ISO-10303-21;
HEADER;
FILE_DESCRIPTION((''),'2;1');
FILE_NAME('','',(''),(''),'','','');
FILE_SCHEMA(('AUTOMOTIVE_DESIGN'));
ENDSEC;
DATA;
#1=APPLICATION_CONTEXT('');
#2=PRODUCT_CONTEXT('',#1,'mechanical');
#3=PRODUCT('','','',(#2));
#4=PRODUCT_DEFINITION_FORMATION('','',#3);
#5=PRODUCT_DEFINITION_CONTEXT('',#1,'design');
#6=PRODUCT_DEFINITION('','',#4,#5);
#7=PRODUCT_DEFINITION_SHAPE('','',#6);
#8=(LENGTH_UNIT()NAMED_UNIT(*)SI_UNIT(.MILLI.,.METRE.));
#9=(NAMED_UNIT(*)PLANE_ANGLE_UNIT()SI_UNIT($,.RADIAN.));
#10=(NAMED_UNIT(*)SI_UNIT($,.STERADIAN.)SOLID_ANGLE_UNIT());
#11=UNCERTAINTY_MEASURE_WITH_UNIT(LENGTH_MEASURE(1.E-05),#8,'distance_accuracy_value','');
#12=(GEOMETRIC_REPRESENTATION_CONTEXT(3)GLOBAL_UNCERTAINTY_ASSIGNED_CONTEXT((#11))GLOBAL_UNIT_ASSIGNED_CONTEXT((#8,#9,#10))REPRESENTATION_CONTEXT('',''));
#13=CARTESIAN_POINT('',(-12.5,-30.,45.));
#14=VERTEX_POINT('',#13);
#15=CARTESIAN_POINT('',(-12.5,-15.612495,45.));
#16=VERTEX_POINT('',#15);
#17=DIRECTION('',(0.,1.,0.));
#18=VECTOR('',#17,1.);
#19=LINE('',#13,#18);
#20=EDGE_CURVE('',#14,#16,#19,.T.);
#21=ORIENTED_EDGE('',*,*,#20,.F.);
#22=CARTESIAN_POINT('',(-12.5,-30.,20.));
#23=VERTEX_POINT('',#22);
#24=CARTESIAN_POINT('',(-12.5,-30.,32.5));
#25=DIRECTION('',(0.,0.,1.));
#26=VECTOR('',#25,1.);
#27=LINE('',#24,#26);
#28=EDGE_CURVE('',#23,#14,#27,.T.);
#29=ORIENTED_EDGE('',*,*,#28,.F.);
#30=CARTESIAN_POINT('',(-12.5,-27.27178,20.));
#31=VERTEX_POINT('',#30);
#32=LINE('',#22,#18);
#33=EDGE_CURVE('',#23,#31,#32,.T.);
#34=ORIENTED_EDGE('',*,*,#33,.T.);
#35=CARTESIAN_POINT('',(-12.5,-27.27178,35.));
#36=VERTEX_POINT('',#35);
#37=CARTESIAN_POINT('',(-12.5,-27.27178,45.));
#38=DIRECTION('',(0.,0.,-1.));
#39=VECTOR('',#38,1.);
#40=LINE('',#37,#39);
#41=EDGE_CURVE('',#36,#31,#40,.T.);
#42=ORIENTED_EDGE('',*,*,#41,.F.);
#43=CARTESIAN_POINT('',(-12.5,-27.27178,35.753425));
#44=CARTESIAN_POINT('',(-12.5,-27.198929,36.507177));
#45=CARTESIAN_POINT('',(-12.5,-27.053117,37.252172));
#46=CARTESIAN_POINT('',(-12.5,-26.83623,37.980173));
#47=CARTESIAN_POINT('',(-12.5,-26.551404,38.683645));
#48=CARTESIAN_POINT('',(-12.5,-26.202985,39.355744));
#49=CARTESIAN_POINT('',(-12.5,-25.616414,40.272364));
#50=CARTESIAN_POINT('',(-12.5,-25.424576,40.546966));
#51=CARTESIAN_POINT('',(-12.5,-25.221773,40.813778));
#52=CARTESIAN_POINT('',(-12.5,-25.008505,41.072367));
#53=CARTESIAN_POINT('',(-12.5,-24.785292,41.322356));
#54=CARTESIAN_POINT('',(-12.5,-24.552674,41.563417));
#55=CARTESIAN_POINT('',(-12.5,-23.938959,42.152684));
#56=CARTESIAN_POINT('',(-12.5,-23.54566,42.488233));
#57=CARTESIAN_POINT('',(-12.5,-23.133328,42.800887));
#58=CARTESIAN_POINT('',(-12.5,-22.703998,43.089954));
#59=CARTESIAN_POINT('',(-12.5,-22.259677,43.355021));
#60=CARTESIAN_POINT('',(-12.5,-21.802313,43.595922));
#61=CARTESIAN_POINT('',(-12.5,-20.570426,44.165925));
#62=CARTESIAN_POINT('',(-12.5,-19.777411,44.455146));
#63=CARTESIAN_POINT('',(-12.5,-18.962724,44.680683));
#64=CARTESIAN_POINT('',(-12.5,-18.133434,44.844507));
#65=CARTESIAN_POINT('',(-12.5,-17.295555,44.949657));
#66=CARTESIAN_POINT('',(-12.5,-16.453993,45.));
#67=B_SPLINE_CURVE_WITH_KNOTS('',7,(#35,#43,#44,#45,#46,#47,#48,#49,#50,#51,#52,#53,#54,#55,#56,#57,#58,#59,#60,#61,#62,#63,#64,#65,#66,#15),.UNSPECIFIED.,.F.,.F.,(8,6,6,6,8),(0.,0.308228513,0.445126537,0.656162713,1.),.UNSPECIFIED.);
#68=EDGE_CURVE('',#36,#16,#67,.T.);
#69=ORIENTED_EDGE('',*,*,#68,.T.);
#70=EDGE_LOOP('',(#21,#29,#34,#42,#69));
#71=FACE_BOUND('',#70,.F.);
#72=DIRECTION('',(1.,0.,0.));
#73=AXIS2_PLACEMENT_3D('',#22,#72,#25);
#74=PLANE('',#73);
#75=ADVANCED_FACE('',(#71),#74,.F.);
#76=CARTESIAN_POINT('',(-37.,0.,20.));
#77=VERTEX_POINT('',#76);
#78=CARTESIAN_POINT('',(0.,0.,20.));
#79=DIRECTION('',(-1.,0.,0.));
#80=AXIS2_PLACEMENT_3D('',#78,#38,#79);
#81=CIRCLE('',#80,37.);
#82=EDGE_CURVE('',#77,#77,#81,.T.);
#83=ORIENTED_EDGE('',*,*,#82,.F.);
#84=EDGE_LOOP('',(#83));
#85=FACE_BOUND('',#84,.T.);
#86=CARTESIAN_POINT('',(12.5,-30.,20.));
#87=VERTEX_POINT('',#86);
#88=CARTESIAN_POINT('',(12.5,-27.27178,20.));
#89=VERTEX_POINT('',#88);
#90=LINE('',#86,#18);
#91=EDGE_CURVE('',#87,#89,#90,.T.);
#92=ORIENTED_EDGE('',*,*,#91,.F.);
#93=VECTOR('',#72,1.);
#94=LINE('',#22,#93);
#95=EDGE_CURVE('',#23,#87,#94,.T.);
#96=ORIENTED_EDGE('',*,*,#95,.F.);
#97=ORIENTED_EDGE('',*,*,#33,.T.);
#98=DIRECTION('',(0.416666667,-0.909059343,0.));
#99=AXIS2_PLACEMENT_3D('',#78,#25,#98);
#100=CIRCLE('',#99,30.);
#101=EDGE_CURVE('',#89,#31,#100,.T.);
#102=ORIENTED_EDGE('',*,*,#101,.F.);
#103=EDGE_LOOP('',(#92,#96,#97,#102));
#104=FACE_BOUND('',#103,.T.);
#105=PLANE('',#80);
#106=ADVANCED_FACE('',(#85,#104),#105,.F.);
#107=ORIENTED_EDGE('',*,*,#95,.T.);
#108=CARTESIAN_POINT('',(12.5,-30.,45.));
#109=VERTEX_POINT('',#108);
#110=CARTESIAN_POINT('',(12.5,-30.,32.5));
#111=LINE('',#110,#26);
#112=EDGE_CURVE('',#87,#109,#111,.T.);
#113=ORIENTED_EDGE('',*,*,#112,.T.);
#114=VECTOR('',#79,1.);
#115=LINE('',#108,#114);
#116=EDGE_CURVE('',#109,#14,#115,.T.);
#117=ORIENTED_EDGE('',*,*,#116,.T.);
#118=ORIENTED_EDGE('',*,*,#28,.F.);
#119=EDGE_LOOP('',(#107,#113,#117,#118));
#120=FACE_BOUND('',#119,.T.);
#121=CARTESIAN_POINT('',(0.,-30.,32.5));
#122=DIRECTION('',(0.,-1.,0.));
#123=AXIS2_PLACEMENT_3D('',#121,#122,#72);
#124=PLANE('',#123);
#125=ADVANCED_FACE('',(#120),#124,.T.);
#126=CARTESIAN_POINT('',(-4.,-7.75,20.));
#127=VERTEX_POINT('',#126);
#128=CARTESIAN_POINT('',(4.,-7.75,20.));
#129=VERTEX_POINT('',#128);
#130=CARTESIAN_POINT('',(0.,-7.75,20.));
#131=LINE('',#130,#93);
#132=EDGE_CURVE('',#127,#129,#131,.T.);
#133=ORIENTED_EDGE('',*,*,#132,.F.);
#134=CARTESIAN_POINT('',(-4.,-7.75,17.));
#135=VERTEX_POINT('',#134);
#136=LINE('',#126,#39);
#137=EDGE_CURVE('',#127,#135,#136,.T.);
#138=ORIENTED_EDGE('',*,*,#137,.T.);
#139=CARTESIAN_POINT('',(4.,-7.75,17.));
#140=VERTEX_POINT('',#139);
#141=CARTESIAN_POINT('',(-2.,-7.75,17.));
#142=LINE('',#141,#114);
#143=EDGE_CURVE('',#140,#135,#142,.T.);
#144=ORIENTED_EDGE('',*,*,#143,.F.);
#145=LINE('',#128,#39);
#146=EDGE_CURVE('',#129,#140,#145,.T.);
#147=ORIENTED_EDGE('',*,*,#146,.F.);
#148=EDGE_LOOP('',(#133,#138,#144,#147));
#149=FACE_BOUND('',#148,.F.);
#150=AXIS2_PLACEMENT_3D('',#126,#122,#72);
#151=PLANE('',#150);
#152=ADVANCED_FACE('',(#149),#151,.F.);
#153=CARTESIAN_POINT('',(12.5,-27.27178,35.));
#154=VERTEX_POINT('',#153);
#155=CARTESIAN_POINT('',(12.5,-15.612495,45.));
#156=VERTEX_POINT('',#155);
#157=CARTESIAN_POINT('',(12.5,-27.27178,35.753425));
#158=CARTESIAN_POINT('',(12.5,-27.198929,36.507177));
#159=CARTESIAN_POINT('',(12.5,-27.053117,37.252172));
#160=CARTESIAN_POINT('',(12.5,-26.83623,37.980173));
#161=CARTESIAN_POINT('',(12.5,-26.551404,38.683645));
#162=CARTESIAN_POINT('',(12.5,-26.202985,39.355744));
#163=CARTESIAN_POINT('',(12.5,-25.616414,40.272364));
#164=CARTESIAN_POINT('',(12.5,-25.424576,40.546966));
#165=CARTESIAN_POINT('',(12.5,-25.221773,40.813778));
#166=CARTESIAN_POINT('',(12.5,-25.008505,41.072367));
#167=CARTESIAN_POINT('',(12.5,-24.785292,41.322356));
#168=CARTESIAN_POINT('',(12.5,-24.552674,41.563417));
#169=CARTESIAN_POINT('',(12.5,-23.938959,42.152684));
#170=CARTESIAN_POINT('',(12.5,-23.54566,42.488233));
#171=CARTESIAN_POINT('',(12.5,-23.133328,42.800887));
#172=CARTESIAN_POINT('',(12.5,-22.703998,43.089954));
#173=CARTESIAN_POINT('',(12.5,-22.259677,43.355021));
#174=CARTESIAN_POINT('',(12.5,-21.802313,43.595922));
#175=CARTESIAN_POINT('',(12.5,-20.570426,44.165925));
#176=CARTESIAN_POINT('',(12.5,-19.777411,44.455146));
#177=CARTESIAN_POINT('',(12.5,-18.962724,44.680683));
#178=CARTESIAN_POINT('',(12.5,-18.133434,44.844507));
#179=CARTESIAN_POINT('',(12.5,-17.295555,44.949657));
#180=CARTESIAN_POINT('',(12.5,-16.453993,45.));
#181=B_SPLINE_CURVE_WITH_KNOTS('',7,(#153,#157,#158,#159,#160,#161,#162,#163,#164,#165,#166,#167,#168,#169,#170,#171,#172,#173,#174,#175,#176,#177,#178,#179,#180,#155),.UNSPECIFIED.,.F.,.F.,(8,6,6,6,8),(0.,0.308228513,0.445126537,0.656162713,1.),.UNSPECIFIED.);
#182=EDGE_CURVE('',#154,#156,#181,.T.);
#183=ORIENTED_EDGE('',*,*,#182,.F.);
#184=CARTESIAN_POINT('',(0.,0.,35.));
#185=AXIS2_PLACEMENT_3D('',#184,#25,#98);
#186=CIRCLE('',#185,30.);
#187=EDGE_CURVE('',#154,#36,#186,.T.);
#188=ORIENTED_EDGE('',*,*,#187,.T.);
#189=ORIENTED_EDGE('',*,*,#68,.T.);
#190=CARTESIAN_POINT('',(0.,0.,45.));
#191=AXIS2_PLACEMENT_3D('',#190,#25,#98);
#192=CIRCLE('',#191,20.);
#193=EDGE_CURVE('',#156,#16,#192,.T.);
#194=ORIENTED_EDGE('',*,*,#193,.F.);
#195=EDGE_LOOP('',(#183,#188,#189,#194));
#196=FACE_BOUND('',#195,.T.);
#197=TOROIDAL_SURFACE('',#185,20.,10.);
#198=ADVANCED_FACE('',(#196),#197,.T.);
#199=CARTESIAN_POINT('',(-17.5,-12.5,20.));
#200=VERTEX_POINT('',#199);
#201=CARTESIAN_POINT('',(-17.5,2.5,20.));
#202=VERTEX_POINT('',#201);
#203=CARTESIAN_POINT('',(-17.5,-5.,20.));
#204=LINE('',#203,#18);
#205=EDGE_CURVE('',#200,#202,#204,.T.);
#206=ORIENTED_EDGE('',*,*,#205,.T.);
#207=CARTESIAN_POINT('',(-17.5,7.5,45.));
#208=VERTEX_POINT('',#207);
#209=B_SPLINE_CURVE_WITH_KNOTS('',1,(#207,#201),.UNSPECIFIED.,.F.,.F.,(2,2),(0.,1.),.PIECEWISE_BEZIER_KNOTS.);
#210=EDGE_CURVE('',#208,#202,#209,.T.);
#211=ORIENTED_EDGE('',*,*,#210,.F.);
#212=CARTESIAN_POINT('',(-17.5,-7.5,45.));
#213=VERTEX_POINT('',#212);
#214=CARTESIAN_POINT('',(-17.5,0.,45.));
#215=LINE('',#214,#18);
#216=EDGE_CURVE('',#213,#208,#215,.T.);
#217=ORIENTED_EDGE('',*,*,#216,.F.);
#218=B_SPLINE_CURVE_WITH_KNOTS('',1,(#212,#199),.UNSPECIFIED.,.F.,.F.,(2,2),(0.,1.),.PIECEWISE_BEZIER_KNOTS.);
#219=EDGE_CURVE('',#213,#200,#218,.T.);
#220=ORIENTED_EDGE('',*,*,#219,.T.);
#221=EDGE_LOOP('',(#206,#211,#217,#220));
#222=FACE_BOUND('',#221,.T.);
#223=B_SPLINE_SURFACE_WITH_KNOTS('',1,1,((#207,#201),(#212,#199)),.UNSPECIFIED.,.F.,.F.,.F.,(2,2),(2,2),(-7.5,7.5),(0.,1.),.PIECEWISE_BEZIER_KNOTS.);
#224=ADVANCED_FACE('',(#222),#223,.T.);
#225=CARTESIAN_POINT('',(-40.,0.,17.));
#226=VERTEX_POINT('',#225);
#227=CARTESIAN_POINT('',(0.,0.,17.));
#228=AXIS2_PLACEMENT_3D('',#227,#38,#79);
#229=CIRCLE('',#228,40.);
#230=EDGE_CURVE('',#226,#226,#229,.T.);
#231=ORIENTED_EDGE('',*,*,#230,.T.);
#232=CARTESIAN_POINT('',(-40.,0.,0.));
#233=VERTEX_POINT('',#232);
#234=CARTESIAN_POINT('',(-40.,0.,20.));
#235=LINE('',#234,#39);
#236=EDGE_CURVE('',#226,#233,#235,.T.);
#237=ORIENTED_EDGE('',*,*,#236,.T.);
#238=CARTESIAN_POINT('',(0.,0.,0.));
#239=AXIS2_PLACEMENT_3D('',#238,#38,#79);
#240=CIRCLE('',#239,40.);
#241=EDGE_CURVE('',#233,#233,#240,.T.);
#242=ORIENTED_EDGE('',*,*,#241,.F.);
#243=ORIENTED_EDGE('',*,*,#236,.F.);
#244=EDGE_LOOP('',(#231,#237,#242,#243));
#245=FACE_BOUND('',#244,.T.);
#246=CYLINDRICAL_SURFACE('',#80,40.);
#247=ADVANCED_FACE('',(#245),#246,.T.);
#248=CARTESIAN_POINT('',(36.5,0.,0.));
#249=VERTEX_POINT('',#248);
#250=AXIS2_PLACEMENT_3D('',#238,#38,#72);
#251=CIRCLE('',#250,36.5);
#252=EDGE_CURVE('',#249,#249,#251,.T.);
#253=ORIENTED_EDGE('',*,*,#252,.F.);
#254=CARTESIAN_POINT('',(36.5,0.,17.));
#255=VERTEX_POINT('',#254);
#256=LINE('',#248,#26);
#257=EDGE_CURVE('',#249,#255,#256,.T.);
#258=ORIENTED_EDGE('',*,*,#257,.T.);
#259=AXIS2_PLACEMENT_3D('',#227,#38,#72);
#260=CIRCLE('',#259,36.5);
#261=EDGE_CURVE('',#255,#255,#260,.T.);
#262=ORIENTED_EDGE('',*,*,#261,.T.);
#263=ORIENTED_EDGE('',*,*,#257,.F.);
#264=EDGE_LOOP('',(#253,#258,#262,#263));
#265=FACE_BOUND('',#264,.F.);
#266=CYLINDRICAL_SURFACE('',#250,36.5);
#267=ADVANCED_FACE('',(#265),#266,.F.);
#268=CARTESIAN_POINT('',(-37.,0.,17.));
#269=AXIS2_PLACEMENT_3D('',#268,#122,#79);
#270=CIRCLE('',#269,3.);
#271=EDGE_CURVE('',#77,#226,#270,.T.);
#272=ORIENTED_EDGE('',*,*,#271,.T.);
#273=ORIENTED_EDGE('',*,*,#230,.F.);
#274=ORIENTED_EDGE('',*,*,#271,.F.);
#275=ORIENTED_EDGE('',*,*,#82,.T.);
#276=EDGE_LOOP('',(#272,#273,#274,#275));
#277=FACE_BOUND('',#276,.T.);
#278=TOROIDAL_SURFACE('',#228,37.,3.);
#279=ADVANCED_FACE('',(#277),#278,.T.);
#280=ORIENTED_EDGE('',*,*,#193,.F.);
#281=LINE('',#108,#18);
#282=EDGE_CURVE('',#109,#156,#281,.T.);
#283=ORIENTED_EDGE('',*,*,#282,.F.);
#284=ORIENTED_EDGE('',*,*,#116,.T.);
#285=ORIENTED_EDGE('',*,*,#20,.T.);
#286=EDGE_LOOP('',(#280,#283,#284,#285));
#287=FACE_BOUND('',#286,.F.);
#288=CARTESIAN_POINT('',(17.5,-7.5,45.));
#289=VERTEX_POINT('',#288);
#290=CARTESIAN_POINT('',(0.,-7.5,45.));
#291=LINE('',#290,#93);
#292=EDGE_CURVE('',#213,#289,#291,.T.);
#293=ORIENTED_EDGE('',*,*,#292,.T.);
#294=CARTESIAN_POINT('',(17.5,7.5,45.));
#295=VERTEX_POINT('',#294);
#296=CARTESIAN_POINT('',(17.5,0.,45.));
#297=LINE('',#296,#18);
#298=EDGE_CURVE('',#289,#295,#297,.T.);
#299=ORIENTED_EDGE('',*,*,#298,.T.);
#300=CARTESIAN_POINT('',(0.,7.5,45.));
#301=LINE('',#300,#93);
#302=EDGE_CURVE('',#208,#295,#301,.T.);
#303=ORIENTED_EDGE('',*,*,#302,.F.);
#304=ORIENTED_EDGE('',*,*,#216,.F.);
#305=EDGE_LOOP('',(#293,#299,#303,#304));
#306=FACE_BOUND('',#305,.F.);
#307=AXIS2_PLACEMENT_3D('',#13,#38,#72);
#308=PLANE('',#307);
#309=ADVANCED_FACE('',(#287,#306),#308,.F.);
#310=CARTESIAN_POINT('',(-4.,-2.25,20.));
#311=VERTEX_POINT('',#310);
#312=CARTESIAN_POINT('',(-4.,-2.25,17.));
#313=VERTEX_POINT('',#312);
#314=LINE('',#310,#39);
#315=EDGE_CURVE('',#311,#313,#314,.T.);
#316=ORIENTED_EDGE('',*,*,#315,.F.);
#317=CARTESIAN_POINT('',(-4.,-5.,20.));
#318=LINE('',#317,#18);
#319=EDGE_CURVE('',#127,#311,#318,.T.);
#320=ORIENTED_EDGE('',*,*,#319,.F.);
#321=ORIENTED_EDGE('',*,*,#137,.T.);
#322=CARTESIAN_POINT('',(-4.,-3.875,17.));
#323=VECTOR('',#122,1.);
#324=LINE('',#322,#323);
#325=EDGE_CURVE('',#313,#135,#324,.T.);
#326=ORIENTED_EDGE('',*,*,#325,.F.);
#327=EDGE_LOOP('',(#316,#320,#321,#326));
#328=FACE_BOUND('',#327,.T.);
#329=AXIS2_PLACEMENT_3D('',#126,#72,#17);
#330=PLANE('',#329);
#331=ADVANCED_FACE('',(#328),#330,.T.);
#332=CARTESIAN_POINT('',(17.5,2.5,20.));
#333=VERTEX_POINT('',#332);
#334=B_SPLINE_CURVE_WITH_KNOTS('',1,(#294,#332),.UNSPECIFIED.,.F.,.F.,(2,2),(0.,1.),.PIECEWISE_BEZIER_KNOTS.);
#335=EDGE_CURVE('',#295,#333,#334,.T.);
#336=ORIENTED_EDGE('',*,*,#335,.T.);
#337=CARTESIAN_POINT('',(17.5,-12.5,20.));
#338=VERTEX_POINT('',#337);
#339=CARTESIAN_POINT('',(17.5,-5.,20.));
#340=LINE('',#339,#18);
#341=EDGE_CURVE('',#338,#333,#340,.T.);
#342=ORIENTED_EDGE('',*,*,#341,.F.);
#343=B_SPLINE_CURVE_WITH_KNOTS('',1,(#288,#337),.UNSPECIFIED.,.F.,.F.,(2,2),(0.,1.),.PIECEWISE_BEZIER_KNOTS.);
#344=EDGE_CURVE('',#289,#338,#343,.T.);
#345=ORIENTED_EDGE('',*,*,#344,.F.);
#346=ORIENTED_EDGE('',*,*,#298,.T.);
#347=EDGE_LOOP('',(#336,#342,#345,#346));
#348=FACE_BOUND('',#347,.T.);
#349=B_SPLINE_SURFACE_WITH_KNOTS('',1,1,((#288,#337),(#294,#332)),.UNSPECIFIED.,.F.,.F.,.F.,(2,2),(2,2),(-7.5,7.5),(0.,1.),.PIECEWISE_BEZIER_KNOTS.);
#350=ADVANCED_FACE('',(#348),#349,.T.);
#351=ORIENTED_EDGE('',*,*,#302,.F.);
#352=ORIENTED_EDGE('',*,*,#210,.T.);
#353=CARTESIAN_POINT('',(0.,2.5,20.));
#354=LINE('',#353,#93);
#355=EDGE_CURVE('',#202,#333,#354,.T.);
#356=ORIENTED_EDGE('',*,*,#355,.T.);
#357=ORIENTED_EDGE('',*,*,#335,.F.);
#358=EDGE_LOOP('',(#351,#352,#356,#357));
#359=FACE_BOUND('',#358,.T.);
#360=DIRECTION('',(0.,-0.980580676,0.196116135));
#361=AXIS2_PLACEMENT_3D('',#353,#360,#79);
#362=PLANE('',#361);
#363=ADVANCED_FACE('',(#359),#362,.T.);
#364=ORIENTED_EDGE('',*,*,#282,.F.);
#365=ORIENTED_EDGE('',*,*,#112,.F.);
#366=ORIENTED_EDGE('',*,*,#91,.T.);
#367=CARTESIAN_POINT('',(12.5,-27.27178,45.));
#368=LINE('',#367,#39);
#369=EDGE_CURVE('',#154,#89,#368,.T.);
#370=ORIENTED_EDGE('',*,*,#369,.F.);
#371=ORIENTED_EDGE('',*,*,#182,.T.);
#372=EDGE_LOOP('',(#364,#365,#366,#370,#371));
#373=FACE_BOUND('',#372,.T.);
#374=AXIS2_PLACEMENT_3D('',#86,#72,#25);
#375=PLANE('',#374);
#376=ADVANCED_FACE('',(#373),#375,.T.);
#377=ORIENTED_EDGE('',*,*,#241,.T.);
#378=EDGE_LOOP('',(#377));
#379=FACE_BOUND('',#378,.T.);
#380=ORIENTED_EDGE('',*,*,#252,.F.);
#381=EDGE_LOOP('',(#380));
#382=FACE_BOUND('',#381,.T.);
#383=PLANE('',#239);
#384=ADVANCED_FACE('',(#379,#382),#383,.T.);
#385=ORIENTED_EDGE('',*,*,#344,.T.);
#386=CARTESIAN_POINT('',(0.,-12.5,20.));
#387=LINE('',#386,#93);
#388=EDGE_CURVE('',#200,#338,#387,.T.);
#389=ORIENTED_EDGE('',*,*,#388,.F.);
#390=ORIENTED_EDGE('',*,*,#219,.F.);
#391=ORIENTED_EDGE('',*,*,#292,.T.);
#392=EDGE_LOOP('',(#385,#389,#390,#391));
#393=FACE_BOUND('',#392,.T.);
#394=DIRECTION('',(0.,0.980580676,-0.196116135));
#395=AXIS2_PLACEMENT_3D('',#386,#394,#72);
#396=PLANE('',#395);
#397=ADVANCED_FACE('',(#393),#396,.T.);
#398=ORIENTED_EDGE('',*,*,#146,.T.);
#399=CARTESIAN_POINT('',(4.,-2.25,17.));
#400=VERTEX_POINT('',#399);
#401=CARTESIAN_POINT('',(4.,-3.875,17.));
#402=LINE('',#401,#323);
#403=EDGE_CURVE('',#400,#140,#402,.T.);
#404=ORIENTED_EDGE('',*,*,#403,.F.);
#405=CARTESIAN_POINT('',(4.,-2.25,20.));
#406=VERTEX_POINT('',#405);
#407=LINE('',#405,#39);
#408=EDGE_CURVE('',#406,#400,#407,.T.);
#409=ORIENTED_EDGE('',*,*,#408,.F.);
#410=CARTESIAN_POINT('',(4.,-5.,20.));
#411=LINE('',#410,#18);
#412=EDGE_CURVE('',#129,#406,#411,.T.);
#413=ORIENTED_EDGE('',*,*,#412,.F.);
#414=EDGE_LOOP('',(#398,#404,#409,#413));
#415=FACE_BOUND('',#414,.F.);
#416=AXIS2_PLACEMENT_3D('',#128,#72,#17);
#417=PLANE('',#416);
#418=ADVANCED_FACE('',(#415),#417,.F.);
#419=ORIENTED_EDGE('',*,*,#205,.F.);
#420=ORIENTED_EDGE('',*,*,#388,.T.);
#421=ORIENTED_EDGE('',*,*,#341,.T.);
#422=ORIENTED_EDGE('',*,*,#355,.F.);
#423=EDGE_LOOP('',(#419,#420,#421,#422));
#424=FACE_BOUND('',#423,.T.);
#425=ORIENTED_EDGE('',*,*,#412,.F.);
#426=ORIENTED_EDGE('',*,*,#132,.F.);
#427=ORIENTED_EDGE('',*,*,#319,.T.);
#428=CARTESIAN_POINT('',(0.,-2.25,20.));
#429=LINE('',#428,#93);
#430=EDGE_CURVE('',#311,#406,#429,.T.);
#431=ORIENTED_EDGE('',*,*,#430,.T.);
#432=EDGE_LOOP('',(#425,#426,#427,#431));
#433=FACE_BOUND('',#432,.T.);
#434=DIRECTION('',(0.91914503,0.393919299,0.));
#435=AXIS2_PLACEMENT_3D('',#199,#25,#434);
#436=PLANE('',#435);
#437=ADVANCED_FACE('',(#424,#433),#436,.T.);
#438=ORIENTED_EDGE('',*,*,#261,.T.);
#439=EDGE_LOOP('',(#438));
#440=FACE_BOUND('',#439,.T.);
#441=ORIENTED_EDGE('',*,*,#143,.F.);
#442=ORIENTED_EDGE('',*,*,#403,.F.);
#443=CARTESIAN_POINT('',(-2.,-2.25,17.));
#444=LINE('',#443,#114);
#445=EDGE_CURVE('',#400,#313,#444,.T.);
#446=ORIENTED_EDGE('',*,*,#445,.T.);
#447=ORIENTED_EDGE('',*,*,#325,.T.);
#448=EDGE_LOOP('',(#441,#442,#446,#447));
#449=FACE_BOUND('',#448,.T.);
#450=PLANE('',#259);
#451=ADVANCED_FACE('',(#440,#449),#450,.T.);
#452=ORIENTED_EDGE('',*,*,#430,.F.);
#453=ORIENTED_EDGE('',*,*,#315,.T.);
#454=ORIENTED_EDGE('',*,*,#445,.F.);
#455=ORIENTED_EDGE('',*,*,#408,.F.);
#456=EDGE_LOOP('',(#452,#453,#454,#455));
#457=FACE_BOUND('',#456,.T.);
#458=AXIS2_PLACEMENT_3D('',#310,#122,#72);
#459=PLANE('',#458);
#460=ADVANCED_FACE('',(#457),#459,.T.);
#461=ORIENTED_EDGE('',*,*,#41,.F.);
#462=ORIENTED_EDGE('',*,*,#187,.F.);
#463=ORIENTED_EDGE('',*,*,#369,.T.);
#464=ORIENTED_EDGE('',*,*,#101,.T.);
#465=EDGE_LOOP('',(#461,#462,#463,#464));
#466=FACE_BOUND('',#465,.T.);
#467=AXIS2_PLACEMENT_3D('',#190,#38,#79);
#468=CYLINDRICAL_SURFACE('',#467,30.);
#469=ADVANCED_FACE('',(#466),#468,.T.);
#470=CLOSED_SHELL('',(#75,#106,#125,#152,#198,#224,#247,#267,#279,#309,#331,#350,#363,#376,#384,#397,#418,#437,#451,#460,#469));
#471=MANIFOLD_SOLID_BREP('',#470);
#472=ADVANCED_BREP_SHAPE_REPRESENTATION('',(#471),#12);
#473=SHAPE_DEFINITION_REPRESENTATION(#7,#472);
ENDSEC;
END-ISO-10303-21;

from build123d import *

# Parameters (mm, degrees)
F3_W      = 25
F3_H      = 25
F4_DEPTH  = 25
F5_R      = 10
F6_R      = 3
F7_W      = 35
F7_H      = 15
F8_W      = 35
F8_H      = 15
F10_R     = 36.5
F11_DEPTH = 17
F12_W     = 8
F12_H     = 5.5
F13_DEPTH = 20.001


with BuildPart() as f1:
    # F0 (on Front) → F1 (revolve)
    with BuildSketch(Plane.XZ):
        Polygon((-40, 0), (0, 0), (0, 20), (0, 45), (-30, 45), (-30, 20), (-40, 20), align=None)
    revolve(axis=Axis((0, 0, 32.5), (0, 0, -1)))

    # F3 (on offset) → F4 (join)
    with BuildSketch(Plane.XZ.offset(30)):
        with Locations((0, 32.5)):
            Rectangle(F3_W, F3_H)
    extrude(amount=-F4_DEPTH)

    # F5
    f5_edges = [f1.edges().sort_by_distance(p)[0] for p in [
        (0, 30, 45),
    ]]
    fillet(f5_edges, radius=F5_R)

    # F6
    f6_edges = [f1.edges().sort_by_distance(p)[0] for p in [
        (40, 0, 20),
    ]]
    fillet(f6_edges, radius=F6_R)

    # F7 (on face) → F9 section 0
    with BuildSketch(Plane.XY.offset(45)):
        Rectangle(F7_W, F7_H)
    # F8 (on face) → F9 section 1
    with BuildSketch(Plane.XY.offset(20)):
        with Locations((0, -5)):
            Rectangle(F8_W, F8_H)
    loft(mode=Mode.SUBTRACT)

    # F10 (on face) → F11 (cut)
    with BuildSketch(Plane(origin=(0, 0, 0), x_dir=(1, 0, 0), z_dir=(0, 0, -1))):
        Circle(F10_R)
    extrude(amount=-F11_DEPTH, mode=Mode.SUBTRACT)

    # F12 (on face) → F13 (cut, through all)
    with BuildSketch(Plane.XY.offset(20)):
        with Locations((0, -5)):
            Rectangle(F12_W, F12_H)
    extrude(amount=-F13_DEPTH, mode=Mode.SUBTRACT)


solid = f1.part
